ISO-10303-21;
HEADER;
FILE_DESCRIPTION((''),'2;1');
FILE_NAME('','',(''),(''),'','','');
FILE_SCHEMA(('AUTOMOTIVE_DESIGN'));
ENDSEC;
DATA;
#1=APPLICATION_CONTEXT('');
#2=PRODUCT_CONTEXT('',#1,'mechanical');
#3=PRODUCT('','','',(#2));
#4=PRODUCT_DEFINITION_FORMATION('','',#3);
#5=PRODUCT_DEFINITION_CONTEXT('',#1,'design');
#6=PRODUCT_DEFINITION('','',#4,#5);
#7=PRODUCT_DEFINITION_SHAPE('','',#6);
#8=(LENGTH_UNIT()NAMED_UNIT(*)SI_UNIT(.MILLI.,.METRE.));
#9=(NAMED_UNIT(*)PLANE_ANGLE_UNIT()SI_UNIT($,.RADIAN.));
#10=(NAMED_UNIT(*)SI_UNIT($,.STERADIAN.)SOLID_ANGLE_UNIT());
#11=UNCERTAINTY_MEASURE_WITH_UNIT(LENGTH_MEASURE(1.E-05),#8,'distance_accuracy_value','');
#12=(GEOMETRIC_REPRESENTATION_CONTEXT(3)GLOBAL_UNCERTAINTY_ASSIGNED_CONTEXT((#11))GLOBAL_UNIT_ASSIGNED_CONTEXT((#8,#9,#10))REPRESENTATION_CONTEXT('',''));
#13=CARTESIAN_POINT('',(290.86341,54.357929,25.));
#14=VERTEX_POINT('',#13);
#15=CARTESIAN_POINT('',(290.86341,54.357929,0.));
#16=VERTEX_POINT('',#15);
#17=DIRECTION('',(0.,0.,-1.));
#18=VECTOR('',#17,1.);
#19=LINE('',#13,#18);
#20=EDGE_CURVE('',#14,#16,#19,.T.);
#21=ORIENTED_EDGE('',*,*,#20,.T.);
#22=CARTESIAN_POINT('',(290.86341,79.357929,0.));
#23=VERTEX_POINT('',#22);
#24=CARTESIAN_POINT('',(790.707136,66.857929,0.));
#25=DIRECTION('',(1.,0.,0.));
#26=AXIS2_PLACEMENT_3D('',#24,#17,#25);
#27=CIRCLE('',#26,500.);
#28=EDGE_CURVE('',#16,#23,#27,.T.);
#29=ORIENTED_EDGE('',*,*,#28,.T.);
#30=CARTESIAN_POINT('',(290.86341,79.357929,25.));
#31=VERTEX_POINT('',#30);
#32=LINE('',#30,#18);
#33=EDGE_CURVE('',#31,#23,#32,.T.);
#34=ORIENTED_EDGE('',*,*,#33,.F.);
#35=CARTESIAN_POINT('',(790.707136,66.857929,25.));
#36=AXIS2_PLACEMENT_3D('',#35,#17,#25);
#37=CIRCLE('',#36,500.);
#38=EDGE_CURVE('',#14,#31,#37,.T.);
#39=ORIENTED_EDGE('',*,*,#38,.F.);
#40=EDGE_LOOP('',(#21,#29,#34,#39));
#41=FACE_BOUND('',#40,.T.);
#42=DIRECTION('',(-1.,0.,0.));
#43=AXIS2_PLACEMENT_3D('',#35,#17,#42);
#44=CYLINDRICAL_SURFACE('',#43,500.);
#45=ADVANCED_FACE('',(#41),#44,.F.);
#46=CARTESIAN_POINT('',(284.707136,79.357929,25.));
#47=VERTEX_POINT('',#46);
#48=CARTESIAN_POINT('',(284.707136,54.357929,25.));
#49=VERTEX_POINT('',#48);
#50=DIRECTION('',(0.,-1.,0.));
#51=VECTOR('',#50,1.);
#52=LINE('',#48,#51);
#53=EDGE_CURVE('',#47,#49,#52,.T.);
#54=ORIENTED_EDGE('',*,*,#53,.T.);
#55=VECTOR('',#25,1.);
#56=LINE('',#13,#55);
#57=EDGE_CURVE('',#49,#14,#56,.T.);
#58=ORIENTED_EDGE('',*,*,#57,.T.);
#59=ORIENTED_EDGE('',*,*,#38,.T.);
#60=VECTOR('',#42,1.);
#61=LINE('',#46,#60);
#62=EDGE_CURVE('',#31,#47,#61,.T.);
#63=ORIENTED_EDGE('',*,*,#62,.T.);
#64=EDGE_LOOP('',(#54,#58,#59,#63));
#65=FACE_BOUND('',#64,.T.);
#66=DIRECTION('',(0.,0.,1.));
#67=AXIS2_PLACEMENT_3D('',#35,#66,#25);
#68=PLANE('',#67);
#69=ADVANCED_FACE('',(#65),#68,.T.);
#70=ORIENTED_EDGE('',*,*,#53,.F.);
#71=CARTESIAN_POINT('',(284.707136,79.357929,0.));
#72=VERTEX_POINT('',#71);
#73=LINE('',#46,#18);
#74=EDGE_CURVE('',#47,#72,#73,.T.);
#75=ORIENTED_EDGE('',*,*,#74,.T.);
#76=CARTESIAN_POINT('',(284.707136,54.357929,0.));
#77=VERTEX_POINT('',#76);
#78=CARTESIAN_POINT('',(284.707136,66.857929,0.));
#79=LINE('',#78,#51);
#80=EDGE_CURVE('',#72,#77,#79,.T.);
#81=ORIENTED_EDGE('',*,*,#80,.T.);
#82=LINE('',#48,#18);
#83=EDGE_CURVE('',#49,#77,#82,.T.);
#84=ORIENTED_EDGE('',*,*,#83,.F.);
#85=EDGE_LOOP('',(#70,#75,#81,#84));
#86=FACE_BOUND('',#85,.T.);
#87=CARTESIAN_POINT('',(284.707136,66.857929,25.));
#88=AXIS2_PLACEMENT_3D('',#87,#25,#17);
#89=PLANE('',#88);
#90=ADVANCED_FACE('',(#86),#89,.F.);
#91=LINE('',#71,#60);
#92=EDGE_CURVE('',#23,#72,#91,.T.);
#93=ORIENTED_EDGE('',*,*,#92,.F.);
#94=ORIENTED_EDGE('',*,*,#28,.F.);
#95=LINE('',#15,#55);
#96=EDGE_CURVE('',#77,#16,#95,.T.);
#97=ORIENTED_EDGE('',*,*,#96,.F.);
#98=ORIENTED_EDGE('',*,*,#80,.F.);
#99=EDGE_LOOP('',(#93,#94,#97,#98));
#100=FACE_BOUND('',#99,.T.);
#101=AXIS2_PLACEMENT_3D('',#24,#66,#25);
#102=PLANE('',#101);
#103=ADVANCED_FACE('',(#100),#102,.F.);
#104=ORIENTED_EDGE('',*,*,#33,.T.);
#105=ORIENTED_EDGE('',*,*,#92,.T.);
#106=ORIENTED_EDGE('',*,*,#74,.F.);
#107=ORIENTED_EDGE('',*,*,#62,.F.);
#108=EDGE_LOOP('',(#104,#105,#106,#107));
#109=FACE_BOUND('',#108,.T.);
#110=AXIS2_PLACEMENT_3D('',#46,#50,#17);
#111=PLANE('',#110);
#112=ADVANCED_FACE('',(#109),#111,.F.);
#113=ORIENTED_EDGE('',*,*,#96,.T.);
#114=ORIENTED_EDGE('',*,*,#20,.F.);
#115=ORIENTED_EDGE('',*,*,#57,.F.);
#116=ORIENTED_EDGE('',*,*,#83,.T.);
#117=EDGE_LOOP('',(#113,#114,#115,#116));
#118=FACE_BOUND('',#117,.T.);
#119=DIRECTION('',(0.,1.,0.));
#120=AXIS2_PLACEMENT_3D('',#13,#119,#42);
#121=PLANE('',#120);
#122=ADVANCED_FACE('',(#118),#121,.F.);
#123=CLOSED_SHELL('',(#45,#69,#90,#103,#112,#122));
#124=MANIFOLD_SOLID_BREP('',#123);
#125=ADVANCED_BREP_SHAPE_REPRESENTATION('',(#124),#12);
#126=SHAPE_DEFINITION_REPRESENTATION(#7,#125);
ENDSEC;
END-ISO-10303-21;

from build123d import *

# Parameters (mm, degrees)
EXTRUDE_1_DEPTH = 25


with BuildPart() as part:
    # 草图1 → 凸台-拉伸1 (new body)
    with BuildSketch(Plane.XY):
        with BuildLine():
            Line((284.707135631, 66.857929268), (284.707135631, 79.357929268))
            Line((284.707135631, 79.357929268), (290.863410041, 79.357929268))
            ThreePointArc((290.863410041, 79.357929268), (290.70713562, 66.857929268), (290.863410041, 54.357929268))
            Line((290.863410041, 54.357929268), (284.707135631, 54.357929268))
            Line((284.707135631, 54.357929268), (284.707135631, 66.857929268))
        make_face()
    extrude(amount=EXTRUDE_1_DEPTH)


solid = part.part
